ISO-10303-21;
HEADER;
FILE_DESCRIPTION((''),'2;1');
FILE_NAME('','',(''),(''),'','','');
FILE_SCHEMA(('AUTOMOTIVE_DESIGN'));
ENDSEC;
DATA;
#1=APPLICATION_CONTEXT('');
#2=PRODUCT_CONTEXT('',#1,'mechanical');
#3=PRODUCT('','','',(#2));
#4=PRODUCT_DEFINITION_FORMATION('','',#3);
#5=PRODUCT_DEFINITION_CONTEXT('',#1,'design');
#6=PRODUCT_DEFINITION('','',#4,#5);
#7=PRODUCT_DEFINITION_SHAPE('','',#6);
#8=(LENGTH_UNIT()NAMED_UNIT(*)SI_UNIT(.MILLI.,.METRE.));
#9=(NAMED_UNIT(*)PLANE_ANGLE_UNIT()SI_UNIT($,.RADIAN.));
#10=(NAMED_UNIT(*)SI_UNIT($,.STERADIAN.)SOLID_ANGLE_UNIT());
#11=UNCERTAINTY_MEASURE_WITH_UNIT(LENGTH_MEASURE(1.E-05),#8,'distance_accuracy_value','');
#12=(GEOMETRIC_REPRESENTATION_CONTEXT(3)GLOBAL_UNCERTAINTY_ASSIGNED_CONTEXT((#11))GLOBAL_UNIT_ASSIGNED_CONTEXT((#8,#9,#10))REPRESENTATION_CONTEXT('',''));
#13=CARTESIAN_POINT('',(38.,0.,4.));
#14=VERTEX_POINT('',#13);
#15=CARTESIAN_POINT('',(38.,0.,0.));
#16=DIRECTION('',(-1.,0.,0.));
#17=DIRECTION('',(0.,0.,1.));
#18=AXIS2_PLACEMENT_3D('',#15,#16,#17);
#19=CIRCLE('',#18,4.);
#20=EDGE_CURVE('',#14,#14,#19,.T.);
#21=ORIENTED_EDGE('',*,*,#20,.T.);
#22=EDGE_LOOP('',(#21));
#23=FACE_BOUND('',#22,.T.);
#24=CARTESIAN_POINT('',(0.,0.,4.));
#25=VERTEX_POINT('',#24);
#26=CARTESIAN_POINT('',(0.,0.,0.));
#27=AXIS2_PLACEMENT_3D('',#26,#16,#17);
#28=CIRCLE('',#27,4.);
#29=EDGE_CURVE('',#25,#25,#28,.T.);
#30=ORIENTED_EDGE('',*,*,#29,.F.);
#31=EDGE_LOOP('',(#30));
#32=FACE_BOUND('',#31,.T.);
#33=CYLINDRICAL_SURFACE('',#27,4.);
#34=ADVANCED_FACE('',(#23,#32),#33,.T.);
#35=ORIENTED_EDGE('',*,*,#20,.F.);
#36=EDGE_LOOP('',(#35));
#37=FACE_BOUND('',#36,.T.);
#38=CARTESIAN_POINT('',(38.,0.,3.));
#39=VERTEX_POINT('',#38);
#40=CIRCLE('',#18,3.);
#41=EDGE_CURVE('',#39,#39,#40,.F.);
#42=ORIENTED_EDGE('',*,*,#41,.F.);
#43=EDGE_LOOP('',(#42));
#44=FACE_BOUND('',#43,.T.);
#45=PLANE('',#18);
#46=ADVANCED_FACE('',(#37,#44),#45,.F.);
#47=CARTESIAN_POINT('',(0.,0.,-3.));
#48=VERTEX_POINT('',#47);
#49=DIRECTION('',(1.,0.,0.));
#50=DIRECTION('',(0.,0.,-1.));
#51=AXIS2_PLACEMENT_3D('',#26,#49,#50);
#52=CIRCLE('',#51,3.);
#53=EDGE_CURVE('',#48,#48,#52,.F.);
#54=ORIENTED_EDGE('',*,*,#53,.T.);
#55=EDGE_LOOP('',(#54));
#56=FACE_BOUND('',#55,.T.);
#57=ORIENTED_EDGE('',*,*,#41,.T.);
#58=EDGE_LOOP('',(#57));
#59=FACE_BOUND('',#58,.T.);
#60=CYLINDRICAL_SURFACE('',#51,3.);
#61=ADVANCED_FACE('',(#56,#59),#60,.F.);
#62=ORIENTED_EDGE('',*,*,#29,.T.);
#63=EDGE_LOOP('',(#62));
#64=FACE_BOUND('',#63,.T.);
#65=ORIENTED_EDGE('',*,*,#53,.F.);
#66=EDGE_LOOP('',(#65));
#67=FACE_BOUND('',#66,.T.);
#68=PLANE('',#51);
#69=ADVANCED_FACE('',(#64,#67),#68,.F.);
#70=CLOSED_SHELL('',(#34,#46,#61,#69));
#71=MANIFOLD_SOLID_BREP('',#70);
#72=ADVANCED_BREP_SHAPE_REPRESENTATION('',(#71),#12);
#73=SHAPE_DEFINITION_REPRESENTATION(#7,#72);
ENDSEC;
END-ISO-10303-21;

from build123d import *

# Parameters (mm, degrees)
SKETCH1_W = 38
SKETCH1_H = 4


with BuildPart() as part:
    # Sketch1 → Revolve1 (revolve)
    with BuildSketch(Plane.XY, mode=Mode.PRIVATE) as revolve1_sk:
        with Locations((19, 2)):
            Rectangle(SKETCH1_W, SKETCH1_H)
    revolve(revolve1_sk.sketch.rotate(Axis((0, 0, 0), (1, 0, 0)), 90), axis=Axis((0, 0, 0), (1, 0, 0)))

    # SurfaceCut1: cut with a surface, the side it looks to stays
    # Surface-Revolve1: a surface, the sketch's curves turned about an axis
    with BuildLine(Plane.XY, mode=Mode.PRIVATE) as surface_revolve1_1_path:
        Line((0, 3), (38, 3))
    surface_revolve1_1 = Shell.revolve(surface_revolve1_1_path.wire(), 360, Axis((0, 0, 0), (1, 0, 0)))
    split(bisect_by=surface_revolve1_1, keep=Keep.TOP)


solid = part.part
